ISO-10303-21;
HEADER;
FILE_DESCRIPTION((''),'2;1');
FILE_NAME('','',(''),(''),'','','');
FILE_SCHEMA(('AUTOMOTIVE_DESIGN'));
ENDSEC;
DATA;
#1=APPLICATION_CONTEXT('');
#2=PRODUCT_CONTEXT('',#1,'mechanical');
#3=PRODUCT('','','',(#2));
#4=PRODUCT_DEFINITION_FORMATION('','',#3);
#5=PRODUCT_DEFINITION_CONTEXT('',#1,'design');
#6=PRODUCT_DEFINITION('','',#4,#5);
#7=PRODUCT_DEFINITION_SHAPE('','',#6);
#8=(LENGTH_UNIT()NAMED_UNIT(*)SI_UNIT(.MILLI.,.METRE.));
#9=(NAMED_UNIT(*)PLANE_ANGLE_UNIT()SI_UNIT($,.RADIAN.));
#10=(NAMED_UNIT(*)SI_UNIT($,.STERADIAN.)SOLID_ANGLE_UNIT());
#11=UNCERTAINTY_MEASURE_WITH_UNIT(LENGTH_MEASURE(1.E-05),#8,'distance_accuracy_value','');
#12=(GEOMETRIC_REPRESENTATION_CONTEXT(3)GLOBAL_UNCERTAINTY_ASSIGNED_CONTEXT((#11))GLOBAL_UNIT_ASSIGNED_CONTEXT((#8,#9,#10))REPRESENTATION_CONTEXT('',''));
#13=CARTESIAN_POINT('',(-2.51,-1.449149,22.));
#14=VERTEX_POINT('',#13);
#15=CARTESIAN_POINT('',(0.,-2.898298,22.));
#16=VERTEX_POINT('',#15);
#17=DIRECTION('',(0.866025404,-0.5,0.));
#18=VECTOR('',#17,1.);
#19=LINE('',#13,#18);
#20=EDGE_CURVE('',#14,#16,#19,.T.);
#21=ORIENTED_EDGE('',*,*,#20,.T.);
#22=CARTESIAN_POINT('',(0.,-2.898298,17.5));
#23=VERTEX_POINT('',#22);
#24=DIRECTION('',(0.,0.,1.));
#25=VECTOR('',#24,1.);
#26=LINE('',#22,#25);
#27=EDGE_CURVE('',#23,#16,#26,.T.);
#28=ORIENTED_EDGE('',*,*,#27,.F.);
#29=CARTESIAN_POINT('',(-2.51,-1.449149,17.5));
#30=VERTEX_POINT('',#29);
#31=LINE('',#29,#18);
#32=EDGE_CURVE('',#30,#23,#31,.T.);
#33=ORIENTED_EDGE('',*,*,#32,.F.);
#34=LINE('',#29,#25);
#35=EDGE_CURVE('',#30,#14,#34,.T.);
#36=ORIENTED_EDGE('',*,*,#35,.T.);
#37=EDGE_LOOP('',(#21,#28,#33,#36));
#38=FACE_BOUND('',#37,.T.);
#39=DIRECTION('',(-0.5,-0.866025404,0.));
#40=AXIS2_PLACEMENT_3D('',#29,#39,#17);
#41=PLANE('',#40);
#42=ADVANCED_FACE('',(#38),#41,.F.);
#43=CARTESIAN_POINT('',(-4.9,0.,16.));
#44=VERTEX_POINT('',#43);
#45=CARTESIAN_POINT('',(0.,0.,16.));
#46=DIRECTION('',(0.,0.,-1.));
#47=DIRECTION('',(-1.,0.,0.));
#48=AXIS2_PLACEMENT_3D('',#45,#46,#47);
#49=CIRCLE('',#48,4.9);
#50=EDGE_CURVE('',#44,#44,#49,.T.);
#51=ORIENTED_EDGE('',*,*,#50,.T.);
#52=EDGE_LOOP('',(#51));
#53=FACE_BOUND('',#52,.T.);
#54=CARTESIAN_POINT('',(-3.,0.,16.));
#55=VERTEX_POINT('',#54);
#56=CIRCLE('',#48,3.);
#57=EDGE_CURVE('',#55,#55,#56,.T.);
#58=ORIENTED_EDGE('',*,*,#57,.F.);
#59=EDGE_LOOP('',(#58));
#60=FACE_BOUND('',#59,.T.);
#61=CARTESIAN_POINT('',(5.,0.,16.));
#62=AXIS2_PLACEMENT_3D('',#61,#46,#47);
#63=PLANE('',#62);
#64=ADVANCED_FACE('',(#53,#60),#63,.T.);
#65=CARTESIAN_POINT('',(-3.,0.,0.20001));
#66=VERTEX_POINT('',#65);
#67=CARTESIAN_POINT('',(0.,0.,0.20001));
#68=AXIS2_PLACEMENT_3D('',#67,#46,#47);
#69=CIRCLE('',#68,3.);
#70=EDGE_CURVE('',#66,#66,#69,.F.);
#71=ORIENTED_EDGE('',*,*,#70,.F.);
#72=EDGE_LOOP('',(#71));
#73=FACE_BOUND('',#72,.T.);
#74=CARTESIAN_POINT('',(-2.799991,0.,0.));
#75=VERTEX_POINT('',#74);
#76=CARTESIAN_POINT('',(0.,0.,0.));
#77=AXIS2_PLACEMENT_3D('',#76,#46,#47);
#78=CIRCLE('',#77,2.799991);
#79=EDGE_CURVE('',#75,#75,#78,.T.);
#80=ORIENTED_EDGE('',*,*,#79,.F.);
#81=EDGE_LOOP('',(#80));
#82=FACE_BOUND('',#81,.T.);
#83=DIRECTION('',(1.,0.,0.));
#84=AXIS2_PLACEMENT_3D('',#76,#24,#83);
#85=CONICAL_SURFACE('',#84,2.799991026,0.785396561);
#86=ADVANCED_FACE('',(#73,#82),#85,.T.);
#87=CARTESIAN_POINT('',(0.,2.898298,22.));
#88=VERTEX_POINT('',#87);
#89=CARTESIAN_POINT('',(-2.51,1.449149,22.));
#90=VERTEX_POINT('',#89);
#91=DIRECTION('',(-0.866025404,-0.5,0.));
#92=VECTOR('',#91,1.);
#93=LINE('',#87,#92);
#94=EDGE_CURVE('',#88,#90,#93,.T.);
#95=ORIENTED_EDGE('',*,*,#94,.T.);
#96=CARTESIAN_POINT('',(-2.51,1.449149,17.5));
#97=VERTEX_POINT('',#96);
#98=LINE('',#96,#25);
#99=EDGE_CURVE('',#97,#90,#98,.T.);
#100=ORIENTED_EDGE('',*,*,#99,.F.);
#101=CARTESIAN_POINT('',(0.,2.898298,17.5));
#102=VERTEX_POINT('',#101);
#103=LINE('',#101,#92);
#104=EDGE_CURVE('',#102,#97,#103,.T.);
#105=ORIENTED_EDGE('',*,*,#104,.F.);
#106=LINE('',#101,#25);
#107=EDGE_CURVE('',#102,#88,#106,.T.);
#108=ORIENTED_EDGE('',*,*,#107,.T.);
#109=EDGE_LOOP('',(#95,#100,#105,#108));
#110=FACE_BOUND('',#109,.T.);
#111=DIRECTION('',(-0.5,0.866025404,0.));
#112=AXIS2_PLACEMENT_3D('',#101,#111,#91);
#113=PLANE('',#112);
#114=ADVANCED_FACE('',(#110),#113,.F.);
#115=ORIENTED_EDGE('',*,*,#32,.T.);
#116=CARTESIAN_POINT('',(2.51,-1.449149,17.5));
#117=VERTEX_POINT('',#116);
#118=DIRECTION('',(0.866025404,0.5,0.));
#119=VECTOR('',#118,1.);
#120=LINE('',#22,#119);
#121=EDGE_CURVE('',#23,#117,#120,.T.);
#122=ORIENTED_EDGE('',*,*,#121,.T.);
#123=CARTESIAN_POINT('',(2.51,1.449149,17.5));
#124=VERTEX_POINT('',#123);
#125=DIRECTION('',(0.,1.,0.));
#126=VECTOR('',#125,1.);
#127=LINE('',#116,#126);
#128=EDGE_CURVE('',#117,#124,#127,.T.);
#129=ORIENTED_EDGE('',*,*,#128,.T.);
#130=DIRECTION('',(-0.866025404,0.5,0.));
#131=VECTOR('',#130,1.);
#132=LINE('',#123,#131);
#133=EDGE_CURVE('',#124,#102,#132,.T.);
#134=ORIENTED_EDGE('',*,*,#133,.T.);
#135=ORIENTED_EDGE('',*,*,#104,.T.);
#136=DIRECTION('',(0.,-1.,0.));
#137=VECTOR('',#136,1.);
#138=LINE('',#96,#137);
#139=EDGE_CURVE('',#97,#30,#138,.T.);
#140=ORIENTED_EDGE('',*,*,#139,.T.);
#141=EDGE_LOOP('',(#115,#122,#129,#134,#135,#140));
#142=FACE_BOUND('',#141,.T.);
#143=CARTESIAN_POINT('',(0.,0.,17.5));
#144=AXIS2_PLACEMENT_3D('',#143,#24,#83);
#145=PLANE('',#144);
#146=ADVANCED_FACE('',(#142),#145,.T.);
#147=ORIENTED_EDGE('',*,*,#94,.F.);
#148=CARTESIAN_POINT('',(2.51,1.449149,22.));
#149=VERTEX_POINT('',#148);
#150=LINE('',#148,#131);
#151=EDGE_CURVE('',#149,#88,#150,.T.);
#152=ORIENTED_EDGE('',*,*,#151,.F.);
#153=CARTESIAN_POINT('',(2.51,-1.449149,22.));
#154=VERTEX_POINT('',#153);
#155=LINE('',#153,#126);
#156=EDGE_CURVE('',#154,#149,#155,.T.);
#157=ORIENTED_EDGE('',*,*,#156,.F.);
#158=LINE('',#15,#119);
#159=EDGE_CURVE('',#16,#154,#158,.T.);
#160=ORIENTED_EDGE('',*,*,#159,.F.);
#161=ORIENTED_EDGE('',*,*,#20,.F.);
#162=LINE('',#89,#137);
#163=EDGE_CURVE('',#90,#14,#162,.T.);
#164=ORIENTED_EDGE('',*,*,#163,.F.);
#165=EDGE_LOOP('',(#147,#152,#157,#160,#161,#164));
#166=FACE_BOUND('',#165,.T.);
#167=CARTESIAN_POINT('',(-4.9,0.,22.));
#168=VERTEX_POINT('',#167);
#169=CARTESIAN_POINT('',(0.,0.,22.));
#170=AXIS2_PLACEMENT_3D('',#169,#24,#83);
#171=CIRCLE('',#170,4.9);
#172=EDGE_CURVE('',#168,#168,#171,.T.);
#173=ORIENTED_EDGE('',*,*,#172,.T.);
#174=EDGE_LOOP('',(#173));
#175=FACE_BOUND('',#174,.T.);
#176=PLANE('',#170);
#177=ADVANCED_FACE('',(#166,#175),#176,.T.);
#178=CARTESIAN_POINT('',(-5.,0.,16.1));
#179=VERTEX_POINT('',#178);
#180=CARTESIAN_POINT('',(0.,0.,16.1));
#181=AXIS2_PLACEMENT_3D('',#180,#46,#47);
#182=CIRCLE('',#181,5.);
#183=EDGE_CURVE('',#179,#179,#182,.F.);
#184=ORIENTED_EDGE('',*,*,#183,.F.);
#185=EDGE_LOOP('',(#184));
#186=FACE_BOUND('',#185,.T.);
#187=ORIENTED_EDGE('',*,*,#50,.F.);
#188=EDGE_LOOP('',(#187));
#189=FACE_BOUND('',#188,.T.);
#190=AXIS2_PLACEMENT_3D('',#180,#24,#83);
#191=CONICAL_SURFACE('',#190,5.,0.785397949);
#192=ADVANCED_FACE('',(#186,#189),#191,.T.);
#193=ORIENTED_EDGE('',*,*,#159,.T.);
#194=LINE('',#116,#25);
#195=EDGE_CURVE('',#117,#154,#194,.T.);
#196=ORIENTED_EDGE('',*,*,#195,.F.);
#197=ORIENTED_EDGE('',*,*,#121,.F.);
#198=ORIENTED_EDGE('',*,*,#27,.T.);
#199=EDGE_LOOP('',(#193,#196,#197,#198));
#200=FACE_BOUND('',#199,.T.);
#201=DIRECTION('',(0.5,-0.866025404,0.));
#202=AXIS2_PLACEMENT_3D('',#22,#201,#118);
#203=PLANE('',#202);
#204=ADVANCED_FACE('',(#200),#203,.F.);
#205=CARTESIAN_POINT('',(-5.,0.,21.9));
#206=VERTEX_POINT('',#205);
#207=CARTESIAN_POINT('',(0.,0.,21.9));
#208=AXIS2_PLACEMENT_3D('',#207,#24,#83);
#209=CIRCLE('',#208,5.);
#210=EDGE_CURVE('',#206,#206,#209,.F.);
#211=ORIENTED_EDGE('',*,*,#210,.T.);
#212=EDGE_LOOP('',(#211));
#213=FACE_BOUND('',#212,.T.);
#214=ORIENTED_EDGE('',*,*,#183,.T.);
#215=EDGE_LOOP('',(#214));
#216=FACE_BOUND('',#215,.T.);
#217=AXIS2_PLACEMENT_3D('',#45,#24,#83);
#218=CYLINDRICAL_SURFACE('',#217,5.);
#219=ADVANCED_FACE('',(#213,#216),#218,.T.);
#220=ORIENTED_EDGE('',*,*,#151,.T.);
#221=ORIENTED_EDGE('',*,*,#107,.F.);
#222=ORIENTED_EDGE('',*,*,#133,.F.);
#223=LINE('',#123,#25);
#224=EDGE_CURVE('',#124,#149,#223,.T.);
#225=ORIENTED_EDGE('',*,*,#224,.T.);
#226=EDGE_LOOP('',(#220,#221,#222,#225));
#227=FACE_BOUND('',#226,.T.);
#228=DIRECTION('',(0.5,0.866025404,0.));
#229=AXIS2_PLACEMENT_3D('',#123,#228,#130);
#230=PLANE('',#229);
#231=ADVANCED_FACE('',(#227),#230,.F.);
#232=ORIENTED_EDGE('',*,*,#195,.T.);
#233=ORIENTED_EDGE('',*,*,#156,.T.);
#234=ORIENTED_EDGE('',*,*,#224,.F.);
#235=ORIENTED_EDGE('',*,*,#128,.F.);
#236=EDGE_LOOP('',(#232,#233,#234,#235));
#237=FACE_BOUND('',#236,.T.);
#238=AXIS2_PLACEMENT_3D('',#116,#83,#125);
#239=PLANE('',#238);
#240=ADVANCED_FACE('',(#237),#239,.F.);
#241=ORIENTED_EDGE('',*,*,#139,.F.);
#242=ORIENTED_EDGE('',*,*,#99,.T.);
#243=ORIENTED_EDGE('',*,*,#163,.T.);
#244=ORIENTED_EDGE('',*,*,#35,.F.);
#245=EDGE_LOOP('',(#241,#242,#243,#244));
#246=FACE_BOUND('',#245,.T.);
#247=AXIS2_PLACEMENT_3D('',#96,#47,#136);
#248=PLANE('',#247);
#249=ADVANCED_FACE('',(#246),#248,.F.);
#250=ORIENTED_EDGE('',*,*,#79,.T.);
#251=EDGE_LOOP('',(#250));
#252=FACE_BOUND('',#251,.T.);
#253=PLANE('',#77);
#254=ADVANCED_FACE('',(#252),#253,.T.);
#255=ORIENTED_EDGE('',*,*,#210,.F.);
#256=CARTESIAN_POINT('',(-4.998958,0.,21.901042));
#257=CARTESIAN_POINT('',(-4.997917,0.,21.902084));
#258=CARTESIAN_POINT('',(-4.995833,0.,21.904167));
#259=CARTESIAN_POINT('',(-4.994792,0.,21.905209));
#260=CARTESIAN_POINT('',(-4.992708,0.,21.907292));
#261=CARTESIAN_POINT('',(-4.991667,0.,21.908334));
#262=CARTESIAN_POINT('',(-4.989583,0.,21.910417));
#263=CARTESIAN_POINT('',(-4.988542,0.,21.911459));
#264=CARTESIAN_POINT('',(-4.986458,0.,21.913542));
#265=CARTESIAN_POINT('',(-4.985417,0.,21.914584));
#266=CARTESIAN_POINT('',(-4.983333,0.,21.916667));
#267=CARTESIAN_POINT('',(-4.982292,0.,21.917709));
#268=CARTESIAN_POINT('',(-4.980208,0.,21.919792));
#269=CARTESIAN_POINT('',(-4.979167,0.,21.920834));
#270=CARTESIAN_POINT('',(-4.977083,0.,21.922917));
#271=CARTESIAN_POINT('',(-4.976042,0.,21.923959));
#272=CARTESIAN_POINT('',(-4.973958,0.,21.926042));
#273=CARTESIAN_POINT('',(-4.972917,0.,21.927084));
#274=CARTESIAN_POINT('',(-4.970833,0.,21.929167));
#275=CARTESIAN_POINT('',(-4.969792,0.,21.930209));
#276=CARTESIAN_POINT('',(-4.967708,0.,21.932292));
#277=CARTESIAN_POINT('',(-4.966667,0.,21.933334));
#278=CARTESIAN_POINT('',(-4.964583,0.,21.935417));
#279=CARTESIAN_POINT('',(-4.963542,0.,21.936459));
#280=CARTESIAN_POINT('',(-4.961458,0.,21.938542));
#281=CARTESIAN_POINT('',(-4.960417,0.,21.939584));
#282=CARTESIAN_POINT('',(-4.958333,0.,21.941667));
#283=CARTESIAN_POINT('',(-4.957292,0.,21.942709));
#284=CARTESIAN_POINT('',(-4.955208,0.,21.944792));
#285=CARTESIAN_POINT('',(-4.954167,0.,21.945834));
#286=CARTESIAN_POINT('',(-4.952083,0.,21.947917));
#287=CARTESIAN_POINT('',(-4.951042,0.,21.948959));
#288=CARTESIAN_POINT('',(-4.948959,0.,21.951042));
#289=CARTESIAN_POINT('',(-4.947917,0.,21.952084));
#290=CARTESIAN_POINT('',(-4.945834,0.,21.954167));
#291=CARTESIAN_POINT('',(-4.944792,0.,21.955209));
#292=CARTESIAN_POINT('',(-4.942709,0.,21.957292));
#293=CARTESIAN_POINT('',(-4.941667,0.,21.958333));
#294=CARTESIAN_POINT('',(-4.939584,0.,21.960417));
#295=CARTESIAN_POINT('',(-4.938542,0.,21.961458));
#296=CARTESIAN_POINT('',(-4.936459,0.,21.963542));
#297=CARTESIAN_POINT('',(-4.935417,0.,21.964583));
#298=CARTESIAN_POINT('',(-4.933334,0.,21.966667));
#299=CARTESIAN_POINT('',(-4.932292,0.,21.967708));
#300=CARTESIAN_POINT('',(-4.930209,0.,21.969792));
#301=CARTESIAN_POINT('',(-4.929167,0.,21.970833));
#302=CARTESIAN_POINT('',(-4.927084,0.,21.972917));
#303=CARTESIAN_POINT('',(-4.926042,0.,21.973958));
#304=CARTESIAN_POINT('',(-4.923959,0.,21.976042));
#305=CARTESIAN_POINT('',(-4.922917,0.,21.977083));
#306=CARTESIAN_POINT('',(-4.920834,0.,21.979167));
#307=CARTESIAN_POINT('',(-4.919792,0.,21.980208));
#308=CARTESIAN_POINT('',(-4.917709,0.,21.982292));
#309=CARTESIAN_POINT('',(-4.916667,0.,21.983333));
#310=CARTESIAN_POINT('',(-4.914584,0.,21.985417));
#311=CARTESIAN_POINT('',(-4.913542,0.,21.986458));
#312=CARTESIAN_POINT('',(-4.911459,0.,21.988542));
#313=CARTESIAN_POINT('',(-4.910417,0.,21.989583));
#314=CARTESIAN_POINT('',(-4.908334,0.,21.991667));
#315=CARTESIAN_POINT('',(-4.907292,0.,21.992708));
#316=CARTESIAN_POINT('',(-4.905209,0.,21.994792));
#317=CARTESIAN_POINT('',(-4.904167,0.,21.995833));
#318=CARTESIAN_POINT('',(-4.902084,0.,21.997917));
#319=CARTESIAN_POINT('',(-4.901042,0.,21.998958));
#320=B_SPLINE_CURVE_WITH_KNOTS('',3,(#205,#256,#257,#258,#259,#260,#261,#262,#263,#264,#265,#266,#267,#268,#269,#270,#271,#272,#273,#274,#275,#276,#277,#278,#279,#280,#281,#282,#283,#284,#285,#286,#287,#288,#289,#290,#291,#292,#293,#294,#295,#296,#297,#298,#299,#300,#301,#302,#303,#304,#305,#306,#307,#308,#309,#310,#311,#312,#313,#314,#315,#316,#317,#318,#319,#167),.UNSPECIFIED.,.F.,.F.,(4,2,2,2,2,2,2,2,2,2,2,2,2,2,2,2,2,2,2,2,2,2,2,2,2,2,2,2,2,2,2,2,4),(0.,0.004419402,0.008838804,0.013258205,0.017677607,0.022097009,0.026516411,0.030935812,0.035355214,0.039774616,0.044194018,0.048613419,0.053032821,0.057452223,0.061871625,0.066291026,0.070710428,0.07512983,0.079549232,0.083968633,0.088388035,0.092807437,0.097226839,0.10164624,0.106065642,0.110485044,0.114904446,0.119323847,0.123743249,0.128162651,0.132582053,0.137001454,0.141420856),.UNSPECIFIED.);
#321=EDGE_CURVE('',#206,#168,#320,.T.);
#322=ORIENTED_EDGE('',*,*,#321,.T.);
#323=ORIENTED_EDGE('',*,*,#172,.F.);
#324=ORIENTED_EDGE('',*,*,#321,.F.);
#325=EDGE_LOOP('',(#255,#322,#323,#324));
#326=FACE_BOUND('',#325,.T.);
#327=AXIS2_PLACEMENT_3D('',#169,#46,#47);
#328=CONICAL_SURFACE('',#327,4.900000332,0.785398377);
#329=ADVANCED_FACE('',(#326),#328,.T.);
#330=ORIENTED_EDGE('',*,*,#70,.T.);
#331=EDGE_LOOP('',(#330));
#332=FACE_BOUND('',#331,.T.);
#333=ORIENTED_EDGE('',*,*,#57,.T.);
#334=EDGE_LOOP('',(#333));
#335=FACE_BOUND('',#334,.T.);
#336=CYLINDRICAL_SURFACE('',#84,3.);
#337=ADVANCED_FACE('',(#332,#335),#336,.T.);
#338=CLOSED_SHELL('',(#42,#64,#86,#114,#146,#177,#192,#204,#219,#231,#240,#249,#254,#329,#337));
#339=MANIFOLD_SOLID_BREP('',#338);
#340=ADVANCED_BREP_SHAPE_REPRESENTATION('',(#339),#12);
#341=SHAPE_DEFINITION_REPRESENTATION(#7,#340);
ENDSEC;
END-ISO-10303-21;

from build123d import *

# Parameters (mm, degrees)
SKETCH_1_W          = 5
SKETCH_1_H          = 6
SKETCH_2_R          = 3
EXTRUDE_1_DEPTH     = 16
CUT_EXTRUDE_1_DEPTH = 4.5
CHAMFER_1_SIZE2     = 0.099999625
CHAMFER_1_SIZE      = 0.099999668
CHAMFER_2_SIZE      = 0.200008974
CHAMFER_2_SIZE2     = 0.200009615


with BuildPart() as part:
    # 草图1 → 旋转1 (revolve)
    with BuildSketch(Plane(origin=(0, 0, 0), x_dir=(1, 0, 0), z_dir=(0, 1, 0))):
        with Locations((2.5, -19)):
            Rectangle(SKETCH_1_W, SKETCH_1_H)
    revolve(axis=Axis((0, 0, 16), (0, 0, 1)))

    # 草图2 → 凸台-拉伸1 (add)
    with BuildSketch(Plane(origin=(0, 0, 16), x_dir=(-1, 0, 0), z_dir=(0, 0, -1))):
        Circle(SKETCH_2_R)
    extrude(amount=EXTRUDE_1_DEPTH)

    # 草图3 → 切除-拉伸1 (cut)
    with BuildSketch(Plane.XY.offset(22)):
        Polygon((-2.51, -1.449149176), (0, -2.898298351), (2.51, -1.449149176), (2.51, 1.449149176), (0, 2.898298351), (-2.51, 1.449149176), align=None)
    extrude(amount=-CUT_EXTRUDE_1_DEPTH, mode=Mode.SUBTRACT)

    # 倒角1
    chamfer_1_edges = [part.edges().sort_by_distance(p)[0] for p in [
        (-5, 0, 22),
        (-5, 0, 16),
    ]]
    chamfer(chamfer_1_edges, length=CHAMFER_1_SIZE, length2=CHAMFER_1_SIZE2)

    # 倒角2
    chamfer_2_edges = [part.edges().sort_by_distance(p)[0] for p in [
        (3, 0, 0),
    ]]
    chamfer_2_side = [part.faces().sort_by_distance(p)[0] for p in [
        (3, 0, 8),
    ]]
    chamfer(chamfer_2_edges, length=CHAMFER_2_SIZE, length2=CHAMFER_2_SIZE2, reference=chamfer_2_side[0])


solid = part.part
